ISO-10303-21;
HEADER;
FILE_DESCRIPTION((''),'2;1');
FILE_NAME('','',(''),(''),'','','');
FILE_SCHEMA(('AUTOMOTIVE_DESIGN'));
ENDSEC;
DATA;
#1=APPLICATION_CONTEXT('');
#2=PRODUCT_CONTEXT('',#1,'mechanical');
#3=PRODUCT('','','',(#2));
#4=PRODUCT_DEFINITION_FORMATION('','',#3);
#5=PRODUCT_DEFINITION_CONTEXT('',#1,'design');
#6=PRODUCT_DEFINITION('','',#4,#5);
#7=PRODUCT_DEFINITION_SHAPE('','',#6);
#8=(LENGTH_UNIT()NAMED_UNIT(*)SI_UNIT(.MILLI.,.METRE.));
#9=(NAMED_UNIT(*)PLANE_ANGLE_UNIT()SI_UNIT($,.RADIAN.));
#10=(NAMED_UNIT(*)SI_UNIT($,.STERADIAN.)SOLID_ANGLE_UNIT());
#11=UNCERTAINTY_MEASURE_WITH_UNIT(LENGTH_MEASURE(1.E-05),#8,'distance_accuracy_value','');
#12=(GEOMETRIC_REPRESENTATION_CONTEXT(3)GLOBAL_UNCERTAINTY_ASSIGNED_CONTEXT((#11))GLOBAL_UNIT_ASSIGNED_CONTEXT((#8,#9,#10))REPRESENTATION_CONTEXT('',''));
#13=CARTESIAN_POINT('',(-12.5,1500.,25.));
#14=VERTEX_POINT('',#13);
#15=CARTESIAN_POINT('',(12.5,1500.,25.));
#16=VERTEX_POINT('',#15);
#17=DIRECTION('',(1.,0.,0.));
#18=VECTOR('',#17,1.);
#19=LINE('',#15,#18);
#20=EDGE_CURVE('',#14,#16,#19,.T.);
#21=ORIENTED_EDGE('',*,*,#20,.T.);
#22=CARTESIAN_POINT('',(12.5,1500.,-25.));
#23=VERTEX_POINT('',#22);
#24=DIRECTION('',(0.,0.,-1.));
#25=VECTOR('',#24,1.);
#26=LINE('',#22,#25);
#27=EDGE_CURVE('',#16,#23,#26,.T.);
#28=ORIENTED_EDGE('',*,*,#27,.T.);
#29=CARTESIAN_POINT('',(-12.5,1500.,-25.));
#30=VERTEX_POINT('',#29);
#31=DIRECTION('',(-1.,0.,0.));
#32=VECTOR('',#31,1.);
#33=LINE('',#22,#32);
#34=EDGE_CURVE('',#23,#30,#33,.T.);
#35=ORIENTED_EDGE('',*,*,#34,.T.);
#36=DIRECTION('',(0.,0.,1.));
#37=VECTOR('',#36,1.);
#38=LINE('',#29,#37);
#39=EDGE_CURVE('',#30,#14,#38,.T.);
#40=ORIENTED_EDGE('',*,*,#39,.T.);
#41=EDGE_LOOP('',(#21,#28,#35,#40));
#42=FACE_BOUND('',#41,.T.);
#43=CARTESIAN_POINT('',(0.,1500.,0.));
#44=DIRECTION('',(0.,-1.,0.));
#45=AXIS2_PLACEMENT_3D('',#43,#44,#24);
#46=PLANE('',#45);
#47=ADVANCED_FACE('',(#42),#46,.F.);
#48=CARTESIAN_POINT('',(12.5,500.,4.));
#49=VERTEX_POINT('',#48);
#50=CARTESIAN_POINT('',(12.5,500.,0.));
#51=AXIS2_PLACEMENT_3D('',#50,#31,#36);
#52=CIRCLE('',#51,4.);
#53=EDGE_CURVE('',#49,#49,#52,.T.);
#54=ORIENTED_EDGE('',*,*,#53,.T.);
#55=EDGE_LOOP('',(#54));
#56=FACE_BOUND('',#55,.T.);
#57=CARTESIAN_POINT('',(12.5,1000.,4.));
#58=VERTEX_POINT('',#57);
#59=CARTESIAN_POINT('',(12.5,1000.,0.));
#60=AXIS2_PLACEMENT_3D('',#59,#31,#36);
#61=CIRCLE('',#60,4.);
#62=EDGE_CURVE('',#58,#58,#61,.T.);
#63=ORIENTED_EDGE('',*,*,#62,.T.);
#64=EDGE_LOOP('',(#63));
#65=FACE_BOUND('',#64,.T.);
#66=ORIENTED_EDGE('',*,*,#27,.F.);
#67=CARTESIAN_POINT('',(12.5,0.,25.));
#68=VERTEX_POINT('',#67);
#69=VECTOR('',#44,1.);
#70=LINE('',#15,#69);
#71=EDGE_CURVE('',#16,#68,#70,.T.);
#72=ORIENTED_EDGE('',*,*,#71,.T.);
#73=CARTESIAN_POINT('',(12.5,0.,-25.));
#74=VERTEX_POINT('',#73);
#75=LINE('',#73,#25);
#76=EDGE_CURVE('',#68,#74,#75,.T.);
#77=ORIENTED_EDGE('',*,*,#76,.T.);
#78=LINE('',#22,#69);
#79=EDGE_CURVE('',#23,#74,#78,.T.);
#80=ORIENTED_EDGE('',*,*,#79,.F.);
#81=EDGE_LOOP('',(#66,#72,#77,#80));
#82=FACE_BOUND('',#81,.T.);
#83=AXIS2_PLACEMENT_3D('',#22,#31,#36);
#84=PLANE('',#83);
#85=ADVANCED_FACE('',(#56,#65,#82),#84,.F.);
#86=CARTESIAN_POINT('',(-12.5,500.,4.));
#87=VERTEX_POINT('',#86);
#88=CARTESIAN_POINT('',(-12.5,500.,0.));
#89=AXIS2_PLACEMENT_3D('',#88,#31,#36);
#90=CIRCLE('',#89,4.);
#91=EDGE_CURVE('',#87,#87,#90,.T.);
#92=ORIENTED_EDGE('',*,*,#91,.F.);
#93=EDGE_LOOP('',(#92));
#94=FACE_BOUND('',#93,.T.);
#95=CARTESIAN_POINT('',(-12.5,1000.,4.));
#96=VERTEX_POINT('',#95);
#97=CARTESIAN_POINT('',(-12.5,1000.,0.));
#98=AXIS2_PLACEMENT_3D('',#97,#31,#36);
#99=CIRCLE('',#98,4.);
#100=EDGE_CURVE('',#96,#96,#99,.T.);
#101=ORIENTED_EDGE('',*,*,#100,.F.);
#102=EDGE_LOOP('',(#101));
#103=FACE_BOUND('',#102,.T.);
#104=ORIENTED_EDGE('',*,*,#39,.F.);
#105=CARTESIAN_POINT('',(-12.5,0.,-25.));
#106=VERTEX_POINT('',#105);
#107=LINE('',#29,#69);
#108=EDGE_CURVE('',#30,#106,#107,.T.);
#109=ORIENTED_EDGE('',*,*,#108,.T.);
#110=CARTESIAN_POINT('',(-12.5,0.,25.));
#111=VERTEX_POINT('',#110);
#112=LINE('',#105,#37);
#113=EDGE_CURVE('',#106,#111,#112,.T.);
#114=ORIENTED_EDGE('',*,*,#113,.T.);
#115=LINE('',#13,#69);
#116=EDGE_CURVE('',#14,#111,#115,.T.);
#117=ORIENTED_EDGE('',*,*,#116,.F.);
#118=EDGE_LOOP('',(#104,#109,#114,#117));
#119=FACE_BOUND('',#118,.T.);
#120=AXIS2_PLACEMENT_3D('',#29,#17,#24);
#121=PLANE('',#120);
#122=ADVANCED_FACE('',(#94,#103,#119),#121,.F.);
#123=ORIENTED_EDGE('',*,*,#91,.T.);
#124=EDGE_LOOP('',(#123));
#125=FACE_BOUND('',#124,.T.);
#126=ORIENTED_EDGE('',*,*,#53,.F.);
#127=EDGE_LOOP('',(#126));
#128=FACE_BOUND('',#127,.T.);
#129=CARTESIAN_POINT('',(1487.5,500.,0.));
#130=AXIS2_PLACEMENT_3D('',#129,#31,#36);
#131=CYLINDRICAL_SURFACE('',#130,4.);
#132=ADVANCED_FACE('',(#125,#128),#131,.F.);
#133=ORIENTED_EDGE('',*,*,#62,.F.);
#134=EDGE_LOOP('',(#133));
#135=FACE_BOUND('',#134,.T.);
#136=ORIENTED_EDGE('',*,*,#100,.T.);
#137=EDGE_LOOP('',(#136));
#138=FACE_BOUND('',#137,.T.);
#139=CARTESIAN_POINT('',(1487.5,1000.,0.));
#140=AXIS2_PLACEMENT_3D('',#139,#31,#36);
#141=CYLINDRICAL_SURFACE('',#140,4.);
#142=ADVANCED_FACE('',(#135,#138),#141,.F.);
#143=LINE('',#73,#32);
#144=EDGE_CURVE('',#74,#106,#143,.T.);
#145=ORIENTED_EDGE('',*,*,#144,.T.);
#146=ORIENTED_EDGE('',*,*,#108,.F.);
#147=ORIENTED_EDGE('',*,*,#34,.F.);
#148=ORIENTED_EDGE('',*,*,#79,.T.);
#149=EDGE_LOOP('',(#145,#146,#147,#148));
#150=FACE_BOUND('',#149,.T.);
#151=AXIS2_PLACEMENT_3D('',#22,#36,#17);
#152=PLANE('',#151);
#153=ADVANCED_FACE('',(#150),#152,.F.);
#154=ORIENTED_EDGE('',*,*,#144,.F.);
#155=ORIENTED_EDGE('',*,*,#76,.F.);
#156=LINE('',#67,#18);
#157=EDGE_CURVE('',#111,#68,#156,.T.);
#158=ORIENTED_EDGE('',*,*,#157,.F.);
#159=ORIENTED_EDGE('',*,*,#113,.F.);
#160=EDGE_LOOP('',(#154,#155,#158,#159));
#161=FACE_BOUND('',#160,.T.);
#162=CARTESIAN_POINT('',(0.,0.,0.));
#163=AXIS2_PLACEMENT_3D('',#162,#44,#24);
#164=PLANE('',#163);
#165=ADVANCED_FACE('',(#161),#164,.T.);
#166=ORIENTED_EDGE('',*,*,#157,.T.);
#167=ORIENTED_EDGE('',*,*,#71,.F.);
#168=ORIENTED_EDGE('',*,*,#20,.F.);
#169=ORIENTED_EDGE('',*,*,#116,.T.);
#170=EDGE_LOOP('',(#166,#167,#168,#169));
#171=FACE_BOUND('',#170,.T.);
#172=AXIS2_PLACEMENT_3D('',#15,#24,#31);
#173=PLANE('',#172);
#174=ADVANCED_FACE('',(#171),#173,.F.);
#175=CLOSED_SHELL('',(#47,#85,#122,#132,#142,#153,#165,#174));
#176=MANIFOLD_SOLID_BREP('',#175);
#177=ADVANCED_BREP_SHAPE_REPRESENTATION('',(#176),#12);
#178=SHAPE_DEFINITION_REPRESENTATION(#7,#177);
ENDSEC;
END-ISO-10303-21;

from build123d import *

# Parameters (mm, degrees)
SKETCH_1_W          = 25
SKETCH_1_H          = 50
EXTRUDE_1_DEPTH     = 1500
SKETCH_2_R          = 4
CUT_EXTRUDE_1_DEPTH = 1500


with BuildPart() as part:
    # Эскиз1 → Бобышка-Вытянуть1 (new body)
    with BuildSketch(Plane(origin=(0, 0, 0), x_dir=(1, 0, 0), z_dir=(0, 1, 0))):
        Rectangle(SKETCH_1_W, SKETCH_1_H)
    extrude(amount=EXTRUDE_1_DEPTH)

    # Эскиз2 → Вырез-Вытянуть1 (cut)
    with BuildSketch(Plane.ZY.offset(12.5)):
        with Locations((0, 1000)):
            Circle(SKETCH_2_R)
        with Locations((0, 500)):
            Circle(SKETCH_2_R)
    extrude(amount=-CUT_EXTRUDE_1_DEPTH, mode=Mode.SUBTRACT)


solid = part.part
